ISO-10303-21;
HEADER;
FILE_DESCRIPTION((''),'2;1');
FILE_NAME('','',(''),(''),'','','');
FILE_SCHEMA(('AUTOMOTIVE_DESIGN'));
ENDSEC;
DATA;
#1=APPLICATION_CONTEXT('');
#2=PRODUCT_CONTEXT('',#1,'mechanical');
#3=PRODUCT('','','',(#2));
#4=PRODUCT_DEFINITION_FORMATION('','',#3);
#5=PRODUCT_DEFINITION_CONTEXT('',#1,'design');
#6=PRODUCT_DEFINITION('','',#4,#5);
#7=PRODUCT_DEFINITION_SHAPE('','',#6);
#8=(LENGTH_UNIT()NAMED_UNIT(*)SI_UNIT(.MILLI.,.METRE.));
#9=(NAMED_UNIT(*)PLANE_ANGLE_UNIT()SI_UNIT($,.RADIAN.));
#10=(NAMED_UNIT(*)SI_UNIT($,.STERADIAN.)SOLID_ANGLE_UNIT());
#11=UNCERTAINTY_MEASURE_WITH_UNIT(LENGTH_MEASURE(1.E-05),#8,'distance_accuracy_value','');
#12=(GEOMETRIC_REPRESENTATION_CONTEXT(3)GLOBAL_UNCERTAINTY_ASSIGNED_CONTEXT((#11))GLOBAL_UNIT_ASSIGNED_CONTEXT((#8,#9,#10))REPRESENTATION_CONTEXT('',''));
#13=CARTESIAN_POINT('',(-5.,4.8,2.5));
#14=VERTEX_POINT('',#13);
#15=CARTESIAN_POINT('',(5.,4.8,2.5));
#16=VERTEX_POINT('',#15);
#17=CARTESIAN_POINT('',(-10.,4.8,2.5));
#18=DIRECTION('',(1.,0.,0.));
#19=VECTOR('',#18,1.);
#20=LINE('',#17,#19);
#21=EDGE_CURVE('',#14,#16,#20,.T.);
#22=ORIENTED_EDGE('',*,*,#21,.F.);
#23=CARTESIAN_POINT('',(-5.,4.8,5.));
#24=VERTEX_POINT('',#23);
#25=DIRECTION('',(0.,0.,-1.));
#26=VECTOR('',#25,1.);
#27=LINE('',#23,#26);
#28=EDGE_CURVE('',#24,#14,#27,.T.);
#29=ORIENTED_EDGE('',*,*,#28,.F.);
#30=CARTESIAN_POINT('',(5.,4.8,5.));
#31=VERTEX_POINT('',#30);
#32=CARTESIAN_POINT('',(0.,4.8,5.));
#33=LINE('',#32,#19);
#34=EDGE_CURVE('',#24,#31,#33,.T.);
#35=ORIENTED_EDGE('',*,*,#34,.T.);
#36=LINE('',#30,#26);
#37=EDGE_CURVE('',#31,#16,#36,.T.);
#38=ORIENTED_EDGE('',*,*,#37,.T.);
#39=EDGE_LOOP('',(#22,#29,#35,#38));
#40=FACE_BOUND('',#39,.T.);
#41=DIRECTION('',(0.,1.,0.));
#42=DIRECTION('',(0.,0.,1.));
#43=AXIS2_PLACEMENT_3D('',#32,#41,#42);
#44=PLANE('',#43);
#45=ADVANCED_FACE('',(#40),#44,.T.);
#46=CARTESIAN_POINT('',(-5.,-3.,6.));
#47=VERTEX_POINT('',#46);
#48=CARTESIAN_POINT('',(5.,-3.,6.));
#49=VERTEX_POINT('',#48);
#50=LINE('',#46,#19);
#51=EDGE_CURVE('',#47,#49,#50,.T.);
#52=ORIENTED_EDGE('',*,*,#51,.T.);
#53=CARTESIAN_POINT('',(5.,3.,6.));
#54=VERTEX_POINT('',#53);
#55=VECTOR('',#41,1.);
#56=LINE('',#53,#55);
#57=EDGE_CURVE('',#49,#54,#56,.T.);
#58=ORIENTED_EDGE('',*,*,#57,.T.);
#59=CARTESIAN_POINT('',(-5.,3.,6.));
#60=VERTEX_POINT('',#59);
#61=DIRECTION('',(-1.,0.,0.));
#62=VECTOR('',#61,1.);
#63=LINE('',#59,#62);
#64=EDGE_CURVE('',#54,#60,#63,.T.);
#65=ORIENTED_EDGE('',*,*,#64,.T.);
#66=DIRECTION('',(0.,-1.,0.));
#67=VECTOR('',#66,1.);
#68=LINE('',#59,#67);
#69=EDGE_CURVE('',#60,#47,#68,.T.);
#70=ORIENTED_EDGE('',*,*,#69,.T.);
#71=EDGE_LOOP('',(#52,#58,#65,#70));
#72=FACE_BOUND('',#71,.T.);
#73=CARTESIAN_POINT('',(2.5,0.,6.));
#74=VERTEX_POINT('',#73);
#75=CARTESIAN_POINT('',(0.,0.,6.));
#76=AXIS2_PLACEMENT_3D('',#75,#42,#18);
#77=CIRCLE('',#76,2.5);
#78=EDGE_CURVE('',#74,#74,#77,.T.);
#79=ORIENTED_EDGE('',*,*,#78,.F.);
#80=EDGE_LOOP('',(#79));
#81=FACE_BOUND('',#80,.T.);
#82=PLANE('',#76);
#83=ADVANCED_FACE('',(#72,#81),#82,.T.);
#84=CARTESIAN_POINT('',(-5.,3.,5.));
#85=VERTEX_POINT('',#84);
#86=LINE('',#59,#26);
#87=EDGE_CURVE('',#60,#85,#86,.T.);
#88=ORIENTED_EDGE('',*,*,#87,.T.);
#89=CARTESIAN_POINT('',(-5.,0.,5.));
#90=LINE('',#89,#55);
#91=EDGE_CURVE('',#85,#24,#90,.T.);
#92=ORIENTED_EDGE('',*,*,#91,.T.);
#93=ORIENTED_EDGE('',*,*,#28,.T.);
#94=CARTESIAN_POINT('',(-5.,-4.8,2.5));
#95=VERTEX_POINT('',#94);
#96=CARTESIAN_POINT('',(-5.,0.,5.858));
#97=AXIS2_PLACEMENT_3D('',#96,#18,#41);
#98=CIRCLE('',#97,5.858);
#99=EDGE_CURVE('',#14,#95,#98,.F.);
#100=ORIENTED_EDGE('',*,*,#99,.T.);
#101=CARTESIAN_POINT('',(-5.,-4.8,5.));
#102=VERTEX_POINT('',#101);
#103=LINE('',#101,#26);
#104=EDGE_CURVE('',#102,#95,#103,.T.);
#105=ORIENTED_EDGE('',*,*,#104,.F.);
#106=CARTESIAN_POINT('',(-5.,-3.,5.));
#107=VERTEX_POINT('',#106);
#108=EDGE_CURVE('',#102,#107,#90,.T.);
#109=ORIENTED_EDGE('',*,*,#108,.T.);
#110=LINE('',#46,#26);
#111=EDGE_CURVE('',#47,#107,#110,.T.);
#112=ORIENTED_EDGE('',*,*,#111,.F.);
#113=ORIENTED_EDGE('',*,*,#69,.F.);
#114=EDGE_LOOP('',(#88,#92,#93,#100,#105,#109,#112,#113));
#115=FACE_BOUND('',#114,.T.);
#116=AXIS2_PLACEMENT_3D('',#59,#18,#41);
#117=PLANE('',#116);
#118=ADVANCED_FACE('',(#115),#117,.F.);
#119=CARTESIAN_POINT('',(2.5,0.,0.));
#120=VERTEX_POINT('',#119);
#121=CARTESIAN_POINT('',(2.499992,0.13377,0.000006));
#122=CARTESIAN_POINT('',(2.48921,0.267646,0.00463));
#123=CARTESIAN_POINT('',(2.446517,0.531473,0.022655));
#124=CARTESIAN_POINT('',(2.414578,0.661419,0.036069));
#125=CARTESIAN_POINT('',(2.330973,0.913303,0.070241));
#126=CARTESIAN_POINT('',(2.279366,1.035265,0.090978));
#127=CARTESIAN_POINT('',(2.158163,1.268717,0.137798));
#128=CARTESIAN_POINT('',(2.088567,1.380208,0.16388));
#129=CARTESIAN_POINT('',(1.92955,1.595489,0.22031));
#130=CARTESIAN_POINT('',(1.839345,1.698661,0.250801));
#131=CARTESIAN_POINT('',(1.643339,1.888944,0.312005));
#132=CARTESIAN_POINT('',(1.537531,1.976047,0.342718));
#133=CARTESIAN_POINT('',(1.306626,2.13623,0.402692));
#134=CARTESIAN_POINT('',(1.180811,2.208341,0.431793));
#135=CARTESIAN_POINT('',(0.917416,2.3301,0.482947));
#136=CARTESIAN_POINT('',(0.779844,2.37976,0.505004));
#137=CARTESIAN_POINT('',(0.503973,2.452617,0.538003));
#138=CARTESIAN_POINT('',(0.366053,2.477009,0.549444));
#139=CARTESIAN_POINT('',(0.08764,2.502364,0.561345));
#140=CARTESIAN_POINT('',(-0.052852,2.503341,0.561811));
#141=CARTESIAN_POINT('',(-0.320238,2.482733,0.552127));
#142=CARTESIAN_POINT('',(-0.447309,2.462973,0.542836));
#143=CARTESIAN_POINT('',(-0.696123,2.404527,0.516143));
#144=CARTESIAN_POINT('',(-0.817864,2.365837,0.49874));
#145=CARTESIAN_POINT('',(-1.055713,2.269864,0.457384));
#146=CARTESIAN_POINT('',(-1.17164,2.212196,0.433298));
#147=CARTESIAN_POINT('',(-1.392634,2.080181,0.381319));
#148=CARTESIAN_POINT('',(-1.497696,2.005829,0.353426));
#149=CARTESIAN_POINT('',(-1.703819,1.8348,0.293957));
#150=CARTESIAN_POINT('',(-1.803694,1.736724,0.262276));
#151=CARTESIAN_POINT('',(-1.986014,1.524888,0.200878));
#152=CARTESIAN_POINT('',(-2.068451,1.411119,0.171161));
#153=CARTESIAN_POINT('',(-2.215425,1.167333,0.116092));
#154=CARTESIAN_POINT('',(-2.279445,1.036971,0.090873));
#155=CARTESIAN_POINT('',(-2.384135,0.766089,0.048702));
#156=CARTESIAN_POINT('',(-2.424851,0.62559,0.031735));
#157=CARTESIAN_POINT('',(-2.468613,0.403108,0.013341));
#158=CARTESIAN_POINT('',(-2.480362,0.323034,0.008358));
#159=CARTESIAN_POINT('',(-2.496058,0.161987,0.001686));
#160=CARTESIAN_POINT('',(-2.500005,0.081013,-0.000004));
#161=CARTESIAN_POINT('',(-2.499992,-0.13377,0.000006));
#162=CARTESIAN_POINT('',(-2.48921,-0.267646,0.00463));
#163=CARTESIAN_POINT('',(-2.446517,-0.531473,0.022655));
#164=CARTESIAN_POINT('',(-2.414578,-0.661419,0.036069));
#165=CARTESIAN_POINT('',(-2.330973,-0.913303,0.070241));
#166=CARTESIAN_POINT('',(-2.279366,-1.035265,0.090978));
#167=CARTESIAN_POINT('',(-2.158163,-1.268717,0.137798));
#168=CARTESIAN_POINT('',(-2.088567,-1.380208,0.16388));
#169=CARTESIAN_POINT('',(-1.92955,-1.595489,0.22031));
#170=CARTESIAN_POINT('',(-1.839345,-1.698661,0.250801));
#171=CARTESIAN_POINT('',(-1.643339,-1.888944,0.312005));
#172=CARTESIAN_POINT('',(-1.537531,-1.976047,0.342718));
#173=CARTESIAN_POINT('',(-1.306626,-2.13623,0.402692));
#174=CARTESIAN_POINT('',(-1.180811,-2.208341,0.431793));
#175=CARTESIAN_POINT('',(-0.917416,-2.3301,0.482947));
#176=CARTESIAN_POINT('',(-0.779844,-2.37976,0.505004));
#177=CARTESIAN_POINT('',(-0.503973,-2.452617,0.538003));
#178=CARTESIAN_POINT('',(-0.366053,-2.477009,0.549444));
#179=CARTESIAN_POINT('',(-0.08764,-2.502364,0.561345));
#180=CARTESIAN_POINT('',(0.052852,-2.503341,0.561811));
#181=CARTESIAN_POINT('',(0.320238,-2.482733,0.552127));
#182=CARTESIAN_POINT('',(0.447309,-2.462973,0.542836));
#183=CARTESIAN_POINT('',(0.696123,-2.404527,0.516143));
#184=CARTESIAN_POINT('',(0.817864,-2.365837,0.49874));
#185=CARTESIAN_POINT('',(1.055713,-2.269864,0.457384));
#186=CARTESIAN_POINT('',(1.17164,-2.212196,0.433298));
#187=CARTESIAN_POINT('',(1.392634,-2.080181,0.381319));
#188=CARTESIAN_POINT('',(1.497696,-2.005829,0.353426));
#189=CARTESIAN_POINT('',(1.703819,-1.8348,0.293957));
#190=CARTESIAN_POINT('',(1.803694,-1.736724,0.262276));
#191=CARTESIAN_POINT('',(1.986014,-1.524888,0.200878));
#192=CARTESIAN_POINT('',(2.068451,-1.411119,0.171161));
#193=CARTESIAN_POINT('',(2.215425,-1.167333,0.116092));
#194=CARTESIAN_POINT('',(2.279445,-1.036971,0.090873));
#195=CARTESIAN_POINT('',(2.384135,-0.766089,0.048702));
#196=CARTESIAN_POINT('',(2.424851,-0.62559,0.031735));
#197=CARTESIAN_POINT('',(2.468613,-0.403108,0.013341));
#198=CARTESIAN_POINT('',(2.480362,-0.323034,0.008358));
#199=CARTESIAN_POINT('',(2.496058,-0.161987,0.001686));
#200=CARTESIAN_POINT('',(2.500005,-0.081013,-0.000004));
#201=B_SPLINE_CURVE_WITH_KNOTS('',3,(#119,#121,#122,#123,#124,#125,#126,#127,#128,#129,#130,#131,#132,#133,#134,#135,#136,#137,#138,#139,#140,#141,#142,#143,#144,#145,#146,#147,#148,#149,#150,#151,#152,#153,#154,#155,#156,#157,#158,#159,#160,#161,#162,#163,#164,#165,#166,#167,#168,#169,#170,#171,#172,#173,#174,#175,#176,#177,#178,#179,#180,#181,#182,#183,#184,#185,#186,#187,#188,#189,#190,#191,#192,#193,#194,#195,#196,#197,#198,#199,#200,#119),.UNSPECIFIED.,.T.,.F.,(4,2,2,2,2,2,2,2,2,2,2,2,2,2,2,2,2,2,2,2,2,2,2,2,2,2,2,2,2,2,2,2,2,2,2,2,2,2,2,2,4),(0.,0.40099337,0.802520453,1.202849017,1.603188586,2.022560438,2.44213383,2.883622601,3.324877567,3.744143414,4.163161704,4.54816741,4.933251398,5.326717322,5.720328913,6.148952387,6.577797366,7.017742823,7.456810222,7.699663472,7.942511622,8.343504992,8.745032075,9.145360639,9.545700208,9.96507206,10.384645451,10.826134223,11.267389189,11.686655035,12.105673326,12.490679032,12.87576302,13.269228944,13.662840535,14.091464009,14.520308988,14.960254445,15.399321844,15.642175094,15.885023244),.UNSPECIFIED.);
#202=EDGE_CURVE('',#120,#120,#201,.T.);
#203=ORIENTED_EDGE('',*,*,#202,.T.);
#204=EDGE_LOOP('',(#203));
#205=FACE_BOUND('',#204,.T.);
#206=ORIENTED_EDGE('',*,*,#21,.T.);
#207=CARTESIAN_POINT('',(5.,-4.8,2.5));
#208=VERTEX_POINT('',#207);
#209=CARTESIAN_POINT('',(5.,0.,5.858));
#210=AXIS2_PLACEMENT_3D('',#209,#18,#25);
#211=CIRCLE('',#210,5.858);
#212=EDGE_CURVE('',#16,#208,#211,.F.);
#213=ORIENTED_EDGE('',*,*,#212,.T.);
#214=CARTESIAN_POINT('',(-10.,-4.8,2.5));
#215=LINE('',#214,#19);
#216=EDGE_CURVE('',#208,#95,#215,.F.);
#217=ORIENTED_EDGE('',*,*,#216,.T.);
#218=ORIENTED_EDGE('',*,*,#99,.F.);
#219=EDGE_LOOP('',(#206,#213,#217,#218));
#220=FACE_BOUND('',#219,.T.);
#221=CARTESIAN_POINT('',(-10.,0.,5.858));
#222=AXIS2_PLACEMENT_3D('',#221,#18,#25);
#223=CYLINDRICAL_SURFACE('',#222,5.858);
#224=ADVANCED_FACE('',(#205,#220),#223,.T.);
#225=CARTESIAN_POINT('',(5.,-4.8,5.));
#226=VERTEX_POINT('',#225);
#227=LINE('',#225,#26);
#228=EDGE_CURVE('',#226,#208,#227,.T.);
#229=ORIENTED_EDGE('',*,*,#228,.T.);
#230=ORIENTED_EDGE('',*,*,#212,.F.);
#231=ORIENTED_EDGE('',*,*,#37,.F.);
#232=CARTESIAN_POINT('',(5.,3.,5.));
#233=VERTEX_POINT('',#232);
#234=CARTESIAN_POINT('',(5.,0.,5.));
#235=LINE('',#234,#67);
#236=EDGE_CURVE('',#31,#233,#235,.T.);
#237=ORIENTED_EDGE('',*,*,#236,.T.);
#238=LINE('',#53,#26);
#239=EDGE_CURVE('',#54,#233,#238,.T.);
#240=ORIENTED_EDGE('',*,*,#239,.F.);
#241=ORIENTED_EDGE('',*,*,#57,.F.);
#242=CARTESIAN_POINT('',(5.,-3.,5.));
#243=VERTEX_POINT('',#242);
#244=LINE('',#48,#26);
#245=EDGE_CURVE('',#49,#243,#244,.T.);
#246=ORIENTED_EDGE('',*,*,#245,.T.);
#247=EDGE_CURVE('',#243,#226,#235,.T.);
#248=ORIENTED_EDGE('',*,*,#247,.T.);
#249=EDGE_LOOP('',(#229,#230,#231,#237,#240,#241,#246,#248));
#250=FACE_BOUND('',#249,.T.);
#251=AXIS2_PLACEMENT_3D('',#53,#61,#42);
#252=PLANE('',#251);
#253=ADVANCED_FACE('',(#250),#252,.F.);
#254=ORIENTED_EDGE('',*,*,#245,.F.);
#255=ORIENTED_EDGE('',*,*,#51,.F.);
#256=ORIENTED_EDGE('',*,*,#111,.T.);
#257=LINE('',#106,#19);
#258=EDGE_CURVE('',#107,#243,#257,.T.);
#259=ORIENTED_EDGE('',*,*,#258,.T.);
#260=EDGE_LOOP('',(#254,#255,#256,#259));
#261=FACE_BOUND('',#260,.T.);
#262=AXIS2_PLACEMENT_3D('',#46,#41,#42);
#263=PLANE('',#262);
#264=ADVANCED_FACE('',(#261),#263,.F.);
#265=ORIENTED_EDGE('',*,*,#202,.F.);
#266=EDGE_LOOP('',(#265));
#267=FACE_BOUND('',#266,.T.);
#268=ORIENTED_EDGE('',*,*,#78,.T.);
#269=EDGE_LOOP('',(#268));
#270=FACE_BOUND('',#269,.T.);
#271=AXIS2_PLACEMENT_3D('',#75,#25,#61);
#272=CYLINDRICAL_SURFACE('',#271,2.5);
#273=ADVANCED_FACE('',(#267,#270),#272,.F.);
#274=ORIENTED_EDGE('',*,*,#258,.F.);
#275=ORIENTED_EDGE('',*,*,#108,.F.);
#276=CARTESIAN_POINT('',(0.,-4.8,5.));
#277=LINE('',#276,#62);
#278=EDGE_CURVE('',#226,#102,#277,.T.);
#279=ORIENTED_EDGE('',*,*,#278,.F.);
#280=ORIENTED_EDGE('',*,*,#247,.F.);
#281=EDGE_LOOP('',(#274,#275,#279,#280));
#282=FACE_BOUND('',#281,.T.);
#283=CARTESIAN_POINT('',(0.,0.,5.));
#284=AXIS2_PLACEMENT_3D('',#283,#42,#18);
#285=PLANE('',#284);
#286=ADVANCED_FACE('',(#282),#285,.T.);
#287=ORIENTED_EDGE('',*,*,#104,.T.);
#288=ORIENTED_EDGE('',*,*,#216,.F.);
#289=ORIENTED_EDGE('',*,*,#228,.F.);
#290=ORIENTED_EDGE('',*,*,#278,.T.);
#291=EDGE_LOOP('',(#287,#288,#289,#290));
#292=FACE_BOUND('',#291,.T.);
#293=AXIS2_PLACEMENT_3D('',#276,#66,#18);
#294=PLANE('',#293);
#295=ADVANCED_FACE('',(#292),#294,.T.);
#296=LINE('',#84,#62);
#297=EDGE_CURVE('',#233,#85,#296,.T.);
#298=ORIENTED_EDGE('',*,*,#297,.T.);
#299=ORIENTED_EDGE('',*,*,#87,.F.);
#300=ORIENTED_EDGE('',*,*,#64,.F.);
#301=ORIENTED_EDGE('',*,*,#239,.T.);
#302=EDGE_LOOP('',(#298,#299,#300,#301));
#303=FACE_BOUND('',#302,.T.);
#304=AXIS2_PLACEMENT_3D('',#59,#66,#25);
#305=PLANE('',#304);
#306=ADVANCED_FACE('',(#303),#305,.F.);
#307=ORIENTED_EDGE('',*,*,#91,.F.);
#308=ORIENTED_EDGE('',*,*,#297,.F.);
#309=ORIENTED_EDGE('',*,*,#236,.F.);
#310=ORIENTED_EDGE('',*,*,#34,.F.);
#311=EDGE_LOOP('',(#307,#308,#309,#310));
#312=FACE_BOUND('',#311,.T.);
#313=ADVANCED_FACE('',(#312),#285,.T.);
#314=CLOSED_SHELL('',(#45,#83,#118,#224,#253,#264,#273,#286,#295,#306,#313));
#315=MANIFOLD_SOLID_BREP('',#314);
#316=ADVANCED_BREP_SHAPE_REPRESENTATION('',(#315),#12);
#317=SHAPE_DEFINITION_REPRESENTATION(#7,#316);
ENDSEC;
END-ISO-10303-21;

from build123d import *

# Parameters (mm, degrees)
SKETCH_1_W          = 10
SKETCH_1_H          = 6
SKETCH_1_R          = 2.5
EXTRUDE_1_DEPTH     = 6
SKETCH_2_W          = 10
SKETCH_2_H          = 9.6
SKETCH_2_R          = 2.5
EXTRUDE_2_DEPTH     = 5
CUT_EXTRUDE_1_DEPTH = 15


with BuildPart() as part:
    # 草图1 → 凸台-拉伸1 (new body)
    with BuildSketch(Plane.XY):
        Rectangle(SKETCH_1_W, SKETCH_1_H)
        Circle(SKETCH_1_R, mode=Mode.SUBTRACT)
    extrude(amount=EXTRUDE_1_DEPTH)

    # 草图2 → 凸台-拉伸2 (add)
    with BuildSketch(Plane.XY):
        Rectangle(SKETCH_2_W, SKETCH_2_H)
        Circle(SKETCH_2_R, mode=Mode.SUBTRACT)
    extrude(amount=EXTRUDE_2_DEPTH)

    # 草图3 → 切除-拉伸1 (cut)
    with BuildSketch(Plane(origin=(5, 0, 0), x_dir=(0, 0, -1), z_dir=(1, 0, 0))):
        with BuildLine():
            Line((0, 4.8), (-2.5, 4.8))
            ThreePointArc((-2.5, 4.8), (-0.662457295, 2.706011826), (0, 0))
            Line((0, 0), (0, 4.8))
        make_face()
        with BuildLine():
            Line((0, -4.8), (0, 0))
            ThreePointArc((0, 0), (-0.662457295, -2.706011826), (-2.5, -4.8))
            Line((-2.5, -4.8), (0, -4.8))
        make_face()
    extrude(amount=-CUT_EXTRUDE_1_DEPTH, mode=Mode.SUBTRACT)


solid = part.part
